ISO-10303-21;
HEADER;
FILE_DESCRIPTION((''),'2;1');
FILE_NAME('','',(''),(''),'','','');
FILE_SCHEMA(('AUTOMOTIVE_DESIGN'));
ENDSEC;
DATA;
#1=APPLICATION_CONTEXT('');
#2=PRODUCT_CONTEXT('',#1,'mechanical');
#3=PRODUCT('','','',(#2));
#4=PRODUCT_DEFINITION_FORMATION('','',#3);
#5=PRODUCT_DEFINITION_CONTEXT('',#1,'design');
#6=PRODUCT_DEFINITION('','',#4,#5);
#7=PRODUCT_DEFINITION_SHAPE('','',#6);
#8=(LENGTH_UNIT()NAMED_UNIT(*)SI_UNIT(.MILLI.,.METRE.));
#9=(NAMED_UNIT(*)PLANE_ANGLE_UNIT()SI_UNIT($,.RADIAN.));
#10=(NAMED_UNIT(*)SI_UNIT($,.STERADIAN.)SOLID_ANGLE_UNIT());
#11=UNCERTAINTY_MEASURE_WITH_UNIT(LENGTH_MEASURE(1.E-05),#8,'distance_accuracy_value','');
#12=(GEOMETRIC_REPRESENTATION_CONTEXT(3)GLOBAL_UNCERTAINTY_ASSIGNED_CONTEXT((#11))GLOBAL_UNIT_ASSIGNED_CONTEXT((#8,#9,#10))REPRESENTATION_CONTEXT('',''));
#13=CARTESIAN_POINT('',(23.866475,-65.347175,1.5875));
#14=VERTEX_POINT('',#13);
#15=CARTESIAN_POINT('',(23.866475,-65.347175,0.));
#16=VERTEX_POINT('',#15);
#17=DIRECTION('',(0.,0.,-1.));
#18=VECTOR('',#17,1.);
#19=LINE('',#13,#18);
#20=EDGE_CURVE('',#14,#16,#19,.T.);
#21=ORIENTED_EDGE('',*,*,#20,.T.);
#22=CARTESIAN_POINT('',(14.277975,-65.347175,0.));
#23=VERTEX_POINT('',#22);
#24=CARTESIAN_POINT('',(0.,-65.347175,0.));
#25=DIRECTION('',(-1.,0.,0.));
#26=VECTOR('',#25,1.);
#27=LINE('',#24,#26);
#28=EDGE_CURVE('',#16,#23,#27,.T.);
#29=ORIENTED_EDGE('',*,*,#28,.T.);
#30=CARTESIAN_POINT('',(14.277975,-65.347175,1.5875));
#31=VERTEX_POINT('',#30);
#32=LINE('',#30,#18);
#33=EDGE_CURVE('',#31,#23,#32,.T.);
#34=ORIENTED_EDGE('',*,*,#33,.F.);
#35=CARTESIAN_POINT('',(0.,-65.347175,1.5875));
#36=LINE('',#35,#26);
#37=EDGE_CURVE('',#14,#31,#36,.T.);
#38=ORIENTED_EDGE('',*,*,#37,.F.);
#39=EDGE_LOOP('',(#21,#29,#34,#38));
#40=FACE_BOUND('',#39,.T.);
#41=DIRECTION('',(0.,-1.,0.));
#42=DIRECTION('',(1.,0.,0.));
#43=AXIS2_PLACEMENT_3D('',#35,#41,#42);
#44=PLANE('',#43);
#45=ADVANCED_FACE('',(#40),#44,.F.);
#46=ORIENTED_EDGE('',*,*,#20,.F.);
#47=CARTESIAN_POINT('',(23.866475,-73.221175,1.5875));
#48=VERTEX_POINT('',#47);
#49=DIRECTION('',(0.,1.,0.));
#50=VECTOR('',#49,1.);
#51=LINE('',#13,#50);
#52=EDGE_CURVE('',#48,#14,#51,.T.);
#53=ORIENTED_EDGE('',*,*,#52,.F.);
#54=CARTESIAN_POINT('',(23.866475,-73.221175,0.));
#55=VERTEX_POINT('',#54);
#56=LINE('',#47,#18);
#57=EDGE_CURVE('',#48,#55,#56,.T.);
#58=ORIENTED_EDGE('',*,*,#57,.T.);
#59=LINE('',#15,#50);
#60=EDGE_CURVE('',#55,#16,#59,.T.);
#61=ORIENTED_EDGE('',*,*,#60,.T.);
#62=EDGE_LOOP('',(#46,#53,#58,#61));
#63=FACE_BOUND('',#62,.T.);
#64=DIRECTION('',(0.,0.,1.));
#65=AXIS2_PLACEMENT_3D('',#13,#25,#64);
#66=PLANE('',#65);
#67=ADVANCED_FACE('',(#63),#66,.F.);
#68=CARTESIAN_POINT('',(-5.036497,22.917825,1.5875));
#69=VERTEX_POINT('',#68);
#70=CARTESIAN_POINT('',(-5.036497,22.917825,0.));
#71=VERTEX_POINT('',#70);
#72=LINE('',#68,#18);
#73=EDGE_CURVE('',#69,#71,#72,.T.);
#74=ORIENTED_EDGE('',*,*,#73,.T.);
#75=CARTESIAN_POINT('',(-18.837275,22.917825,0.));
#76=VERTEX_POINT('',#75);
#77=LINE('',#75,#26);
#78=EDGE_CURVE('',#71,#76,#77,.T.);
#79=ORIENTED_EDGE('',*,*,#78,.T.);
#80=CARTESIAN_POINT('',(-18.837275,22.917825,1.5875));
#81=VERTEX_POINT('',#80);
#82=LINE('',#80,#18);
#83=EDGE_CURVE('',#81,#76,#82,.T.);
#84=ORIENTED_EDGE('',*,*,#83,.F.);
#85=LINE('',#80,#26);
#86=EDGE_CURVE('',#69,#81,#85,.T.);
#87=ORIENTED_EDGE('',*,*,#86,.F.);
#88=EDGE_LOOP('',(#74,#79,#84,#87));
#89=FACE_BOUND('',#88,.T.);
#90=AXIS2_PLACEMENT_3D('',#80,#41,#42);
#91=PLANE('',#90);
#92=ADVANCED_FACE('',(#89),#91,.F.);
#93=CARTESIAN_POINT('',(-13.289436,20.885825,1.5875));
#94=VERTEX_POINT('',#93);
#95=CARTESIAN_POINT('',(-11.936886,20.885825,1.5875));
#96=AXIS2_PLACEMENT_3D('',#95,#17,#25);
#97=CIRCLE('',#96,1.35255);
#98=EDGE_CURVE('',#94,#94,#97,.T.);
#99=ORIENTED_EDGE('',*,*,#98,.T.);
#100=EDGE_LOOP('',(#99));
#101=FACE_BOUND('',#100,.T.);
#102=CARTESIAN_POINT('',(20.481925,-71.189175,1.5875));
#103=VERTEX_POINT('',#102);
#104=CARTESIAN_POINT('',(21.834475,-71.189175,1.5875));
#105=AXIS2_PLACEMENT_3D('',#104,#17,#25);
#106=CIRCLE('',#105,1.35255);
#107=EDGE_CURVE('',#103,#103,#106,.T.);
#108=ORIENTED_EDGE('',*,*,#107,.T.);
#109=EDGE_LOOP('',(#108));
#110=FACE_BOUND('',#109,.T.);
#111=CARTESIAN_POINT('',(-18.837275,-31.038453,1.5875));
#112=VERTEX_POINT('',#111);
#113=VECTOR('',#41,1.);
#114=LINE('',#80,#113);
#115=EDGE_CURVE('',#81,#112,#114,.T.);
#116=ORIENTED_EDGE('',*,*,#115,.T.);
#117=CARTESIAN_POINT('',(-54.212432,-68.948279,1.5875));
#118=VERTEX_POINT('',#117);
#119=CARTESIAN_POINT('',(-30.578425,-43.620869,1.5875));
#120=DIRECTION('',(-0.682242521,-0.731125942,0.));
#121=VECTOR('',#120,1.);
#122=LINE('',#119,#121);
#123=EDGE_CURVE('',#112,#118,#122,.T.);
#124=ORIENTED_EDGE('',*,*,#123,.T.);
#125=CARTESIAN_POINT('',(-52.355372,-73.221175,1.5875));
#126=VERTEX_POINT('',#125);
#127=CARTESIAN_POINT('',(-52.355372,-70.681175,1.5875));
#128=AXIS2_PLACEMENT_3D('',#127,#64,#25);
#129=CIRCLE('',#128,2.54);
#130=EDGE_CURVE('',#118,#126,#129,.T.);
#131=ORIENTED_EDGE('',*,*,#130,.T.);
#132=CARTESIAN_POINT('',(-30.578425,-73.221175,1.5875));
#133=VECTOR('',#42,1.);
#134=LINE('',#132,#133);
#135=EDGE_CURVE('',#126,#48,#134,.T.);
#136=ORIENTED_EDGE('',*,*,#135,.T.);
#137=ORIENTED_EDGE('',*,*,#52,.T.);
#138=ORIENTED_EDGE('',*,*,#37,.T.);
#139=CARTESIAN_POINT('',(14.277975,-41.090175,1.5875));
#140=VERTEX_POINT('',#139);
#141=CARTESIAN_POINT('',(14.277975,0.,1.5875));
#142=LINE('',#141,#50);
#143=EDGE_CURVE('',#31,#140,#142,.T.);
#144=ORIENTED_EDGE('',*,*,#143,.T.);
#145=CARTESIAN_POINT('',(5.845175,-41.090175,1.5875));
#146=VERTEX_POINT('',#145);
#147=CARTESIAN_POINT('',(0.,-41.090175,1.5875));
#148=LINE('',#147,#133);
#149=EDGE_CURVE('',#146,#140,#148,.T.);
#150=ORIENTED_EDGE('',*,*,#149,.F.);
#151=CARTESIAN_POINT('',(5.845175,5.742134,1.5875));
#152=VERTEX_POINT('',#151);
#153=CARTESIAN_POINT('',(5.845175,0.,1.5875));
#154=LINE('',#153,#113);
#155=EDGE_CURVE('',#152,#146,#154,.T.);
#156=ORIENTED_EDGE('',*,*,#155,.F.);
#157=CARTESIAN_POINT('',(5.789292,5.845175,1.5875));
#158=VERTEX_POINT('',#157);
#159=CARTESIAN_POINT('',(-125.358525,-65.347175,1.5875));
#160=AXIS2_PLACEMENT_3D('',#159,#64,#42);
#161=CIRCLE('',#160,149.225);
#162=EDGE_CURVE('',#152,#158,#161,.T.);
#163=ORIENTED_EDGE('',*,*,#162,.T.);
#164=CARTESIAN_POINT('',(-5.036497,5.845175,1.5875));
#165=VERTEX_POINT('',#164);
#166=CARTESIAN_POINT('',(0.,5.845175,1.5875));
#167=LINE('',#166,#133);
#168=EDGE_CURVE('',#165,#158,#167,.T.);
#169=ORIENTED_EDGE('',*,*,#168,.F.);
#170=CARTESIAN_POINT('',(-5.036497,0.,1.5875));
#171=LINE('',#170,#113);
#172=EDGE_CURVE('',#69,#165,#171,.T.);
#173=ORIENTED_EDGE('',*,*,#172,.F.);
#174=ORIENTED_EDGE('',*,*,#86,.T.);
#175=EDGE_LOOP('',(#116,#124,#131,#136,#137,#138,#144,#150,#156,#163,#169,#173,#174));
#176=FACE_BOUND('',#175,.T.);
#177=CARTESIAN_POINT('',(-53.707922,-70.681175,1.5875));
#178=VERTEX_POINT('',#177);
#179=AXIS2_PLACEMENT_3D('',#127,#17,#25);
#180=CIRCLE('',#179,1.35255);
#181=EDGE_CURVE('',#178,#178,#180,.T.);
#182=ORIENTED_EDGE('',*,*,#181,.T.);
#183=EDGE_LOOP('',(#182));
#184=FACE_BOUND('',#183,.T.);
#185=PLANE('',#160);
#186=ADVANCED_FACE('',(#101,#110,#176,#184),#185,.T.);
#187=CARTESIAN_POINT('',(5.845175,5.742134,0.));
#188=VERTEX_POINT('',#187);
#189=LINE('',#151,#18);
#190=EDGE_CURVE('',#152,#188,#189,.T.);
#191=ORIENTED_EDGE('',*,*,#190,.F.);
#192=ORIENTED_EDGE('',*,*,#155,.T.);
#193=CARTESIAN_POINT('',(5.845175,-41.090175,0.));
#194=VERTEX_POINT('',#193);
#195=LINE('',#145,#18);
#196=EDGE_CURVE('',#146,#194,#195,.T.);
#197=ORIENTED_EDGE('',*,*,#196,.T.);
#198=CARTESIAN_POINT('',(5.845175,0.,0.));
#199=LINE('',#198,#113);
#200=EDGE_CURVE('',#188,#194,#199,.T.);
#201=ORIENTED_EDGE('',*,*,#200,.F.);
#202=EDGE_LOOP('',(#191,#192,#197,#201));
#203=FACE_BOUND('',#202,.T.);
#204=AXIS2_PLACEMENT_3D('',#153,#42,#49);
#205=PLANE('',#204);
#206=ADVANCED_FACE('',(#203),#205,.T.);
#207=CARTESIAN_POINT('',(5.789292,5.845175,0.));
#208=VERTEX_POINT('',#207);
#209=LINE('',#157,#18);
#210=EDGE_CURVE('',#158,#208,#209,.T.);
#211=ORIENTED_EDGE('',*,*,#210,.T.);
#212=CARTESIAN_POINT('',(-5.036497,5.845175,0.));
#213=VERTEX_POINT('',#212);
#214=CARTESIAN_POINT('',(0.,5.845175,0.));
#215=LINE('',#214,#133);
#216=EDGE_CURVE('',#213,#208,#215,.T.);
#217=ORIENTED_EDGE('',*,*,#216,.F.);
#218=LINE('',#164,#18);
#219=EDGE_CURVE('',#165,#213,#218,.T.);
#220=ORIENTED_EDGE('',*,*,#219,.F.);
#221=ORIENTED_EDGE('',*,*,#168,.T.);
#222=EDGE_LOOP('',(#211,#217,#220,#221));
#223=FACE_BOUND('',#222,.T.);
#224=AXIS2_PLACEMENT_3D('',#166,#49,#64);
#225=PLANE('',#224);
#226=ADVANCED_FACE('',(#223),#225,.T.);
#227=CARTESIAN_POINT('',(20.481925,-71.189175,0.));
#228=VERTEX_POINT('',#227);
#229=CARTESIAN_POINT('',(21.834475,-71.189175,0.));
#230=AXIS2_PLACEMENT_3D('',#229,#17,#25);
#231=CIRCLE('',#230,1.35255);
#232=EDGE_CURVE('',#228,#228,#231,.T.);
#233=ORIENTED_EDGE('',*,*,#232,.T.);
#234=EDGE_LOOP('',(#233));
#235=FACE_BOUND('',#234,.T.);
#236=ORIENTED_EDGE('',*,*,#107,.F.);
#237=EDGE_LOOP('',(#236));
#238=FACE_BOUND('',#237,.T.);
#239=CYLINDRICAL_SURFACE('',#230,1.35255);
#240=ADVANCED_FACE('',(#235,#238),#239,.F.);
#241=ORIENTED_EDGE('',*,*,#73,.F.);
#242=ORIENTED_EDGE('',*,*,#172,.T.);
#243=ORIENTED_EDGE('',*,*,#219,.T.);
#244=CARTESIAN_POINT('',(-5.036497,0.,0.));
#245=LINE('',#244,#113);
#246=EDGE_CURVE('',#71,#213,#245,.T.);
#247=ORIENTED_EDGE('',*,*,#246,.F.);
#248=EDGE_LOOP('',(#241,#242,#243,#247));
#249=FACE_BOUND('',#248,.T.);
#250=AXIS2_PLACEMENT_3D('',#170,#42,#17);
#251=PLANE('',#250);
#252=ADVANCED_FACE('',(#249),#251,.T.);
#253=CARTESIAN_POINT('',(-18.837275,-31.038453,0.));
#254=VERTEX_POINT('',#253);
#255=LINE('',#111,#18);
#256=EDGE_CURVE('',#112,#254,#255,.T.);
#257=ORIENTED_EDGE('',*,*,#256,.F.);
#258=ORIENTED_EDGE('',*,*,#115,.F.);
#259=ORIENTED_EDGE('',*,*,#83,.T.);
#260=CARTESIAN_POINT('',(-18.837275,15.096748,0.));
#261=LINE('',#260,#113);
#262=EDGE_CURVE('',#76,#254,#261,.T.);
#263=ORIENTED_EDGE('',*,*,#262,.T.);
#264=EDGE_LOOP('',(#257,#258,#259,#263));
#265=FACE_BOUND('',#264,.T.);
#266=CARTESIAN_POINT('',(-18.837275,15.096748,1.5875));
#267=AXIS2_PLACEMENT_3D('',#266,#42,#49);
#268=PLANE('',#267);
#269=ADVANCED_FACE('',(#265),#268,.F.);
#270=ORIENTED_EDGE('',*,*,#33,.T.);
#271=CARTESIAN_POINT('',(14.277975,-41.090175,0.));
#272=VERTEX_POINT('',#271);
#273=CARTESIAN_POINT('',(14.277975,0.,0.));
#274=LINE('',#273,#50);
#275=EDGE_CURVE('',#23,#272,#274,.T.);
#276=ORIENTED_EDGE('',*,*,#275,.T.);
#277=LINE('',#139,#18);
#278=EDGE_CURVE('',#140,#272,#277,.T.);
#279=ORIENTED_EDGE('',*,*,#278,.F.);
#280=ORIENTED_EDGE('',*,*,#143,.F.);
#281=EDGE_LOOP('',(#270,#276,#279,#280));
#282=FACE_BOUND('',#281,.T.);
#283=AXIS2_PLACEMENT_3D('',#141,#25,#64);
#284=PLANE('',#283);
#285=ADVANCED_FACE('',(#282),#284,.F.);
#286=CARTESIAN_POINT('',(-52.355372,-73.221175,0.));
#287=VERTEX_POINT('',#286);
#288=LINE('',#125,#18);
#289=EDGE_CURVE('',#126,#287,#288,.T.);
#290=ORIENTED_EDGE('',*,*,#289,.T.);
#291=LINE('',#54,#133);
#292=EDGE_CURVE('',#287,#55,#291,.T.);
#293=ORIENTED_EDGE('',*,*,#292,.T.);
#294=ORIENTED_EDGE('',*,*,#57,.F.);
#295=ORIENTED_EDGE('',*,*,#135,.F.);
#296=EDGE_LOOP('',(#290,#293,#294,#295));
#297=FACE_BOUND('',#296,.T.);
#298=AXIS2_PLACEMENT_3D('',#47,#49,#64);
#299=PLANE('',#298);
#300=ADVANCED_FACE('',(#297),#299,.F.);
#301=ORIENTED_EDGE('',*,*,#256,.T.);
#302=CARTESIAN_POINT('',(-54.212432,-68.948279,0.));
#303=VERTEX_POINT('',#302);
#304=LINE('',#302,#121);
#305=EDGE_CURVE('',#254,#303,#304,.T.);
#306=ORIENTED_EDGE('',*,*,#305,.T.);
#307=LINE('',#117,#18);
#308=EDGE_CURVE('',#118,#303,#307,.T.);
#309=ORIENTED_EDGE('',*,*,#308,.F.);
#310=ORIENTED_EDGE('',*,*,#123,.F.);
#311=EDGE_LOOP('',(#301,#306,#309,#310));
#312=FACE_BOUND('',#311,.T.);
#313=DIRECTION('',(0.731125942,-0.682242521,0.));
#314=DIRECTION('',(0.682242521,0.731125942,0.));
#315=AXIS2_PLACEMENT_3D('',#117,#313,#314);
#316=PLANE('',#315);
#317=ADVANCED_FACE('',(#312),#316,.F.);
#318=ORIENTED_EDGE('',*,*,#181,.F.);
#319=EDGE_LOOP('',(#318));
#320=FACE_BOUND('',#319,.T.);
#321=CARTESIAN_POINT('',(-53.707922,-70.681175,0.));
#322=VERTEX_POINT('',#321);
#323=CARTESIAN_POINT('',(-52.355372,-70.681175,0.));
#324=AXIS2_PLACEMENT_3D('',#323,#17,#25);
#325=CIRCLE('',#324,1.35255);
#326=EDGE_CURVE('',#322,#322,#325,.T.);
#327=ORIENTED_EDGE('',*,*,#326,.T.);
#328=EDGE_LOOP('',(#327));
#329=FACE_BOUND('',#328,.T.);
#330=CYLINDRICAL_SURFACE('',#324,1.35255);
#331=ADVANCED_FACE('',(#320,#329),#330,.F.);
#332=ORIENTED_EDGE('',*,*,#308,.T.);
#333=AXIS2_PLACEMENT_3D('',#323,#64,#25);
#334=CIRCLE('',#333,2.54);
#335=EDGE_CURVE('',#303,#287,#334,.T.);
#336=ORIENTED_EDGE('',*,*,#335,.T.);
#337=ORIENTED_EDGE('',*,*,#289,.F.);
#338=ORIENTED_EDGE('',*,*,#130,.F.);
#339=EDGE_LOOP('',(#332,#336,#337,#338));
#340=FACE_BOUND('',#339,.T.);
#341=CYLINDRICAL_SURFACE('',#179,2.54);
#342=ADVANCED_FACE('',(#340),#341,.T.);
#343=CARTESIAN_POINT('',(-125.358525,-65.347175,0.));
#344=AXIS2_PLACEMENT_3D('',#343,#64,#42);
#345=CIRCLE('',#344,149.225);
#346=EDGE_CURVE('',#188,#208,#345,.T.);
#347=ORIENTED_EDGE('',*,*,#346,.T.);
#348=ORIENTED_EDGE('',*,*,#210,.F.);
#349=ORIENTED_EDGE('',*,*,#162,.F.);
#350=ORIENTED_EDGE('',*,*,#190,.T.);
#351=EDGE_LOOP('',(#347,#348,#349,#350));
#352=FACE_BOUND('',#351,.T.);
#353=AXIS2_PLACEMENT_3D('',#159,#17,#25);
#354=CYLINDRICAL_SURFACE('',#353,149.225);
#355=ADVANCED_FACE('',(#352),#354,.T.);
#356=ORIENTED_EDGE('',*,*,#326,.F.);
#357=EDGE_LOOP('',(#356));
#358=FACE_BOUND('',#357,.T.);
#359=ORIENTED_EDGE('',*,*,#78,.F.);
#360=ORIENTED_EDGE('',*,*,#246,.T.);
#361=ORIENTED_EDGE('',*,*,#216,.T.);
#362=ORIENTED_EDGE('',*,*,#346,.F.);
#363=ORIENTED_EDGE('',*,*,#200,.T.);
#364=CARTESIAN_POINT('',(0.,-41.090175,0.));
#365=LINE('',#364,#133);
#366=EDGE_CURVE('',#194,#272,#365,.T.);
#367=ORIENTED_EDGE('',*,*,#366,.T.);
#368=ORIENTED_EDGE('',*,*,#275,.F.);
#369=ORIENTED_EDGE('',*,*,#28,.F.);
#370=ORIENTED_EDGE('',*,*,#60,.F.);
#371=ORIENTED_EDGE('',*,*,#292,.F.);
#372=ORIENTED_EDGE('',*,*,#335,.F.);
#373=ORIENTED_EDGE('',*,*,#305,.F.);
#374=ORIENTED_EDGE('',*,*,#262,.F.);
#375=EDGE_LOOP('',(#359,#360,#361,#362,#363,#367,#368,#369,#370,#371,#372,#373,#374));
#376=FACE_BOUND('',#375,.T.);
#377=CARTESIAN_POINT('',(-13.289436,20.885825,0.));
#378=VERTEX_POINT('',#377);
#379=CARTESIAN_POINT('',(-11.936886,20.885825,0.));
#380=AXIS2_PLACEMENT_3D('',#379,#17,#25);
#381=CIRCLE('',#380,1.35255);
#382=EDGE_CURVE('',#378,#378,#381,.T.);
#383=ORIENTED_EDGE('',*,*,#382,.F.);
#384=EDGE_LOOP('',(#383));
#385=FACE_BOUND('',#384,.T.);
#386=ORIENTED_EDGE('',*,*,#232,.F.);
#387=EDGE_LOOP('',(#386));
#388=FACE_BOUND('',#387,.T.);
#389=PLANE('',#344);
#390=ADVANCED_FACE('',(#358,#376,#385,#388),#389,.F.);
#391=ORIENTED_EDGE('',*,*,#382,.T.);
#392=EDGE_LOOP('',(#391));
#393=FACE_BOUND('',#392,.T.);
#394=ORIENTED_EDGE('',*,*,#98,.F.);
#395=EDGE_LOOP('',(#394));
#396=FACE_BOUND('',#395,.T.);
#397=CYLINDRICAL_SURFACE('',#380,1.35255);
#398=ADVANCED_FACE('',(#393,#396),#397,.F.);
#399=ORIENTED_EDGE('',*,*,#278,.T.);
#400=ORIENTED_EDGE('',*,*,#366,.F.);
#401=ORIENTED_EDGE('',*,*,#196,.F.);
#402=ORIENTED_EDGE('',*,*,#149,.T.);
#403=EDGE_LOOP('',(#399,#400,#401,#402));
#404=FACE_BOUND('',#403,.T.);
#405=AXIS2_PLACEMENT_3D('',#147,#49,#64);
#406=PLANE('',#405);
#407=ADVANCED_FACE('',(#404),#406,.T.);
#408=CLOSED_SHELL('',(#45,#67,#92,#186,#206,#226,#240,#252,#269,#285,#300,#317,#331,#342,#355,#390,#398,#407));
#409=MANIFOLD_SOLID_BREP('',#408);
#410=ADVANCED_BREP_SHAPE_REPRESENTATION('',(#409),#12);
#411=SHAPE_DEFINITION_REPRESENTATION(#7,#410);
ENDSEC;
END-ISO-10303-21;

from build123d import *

# Parameters (mm, degrees)
BOSS_EXTRUDE1_DEPTH   = 1.5875
F_2_CLEARANCE_HOLE1_D = 2.7051
CUT_EXTRUDE1_DEPTH    = 2.5875


with BuildPart() as part:
    # Sketch1 → Boss-Extrude1 (new body)
    with BuildSketch(Plane.XY):
        with BuildLine():
            Line((-52.648603939, -67.272400153), (-30.578425, -43.620868829))
            Line((-30.578425, -43.620868829), (-18.837275, -31.03845263))
            Line((-18.837275, -31.03845263), (-18.837275, 15.096748243))
            Line((-18.837275, 15.096748243), (-18.837275, 22.917825485))
            Line((-18.837275, 22.917825485), (-5.036497092, 22.917825485))
            ThreePointArc((-5.036497092, 22.917825485), (16.456769026, -18.908795935), (23.866475, -65.347174515))
            Line((23.866475, -65.347174515), (23.866475, -73.221174515))
            Line((23.866475, -73.221174515), (-30.578425, -73.221174515))
            Line((-30.578425, -73.221174515), (-52.355372399, -73.221174515))
            ThreePointArc((-52.355372399, -73.221174515), (-54.684874047, -71.693608254), (-54.212432291, -68.948278512))
            Line((-54.212432291, -68.948278512), (-52.648603939, -67.272400153))
        make_face()
    extrude(amount=BOSS_EXTRUDE1_DEPTH)

    # #2 Clearance Hole1 (through all)
    with Locations(Plane(origin=(0, 0, 0), x_dir=(-1, 0, 0), z_dir=(0, 0, -1))):
        with Locations((-21.834475, -71.189174515), (52.355372399, -70.681174515), (11.936886046, 20.885825485)):
            Hole(F_2_CLEARANCE_HOLE1_D / 2)

    # Sketch4 → Cut-Extrude1 (cut, through all)
    with BuildSketch(Plane(origin=(0, 0, 0), x_dir=(-1, 0, 0), z_dir=(0, 0, -1))):
        with BuildLine():
            ThreePointArc((-21.881749979, -41.090174515), (-23.369466076, -53.178144332), (-23.866475, -65.347174515))
            Line((-23.866475, -65.347174515), (-14.277975, -65.347174515))
            Line((-14.277975, -65.347174515), (-14.277975, -41.090174515))
            Line((-14.277975, -41.090174515), (-21.881749979, -41.090174515))
        make_face()
        with BuildLine():
            ThreePointArc((-5.845175, 5.742133621), (-15.818945129, -17.004413391), (-21.881749979, -41.090174515))
            Line((-21.881749979, -41.090174515), (-14.277975, -41.090174515))
            Line((-14.277975, -41.090174515), (-5.845175, -41.090174515))
            Line((-5.845175, -41.090174515), (-5.845175, 5.742133621))
        make_face()
        with BuildLine():
            ThreePointArc((5.036497092, 22.917825485), (-0.665836205, 14.565033613), (-5.789292349, 5.845175))
            Line((-5.789292349, 5.845175), (5.036497092, 5.845175))
            Line((5.036497092, 5.845175), (5.036497092, 22.917825485))
        make_face()
    extrude(amount=-CUT_EXTRUDE1_DEPTH, mode=Mode.SUBTRACT)


solid = part.part
